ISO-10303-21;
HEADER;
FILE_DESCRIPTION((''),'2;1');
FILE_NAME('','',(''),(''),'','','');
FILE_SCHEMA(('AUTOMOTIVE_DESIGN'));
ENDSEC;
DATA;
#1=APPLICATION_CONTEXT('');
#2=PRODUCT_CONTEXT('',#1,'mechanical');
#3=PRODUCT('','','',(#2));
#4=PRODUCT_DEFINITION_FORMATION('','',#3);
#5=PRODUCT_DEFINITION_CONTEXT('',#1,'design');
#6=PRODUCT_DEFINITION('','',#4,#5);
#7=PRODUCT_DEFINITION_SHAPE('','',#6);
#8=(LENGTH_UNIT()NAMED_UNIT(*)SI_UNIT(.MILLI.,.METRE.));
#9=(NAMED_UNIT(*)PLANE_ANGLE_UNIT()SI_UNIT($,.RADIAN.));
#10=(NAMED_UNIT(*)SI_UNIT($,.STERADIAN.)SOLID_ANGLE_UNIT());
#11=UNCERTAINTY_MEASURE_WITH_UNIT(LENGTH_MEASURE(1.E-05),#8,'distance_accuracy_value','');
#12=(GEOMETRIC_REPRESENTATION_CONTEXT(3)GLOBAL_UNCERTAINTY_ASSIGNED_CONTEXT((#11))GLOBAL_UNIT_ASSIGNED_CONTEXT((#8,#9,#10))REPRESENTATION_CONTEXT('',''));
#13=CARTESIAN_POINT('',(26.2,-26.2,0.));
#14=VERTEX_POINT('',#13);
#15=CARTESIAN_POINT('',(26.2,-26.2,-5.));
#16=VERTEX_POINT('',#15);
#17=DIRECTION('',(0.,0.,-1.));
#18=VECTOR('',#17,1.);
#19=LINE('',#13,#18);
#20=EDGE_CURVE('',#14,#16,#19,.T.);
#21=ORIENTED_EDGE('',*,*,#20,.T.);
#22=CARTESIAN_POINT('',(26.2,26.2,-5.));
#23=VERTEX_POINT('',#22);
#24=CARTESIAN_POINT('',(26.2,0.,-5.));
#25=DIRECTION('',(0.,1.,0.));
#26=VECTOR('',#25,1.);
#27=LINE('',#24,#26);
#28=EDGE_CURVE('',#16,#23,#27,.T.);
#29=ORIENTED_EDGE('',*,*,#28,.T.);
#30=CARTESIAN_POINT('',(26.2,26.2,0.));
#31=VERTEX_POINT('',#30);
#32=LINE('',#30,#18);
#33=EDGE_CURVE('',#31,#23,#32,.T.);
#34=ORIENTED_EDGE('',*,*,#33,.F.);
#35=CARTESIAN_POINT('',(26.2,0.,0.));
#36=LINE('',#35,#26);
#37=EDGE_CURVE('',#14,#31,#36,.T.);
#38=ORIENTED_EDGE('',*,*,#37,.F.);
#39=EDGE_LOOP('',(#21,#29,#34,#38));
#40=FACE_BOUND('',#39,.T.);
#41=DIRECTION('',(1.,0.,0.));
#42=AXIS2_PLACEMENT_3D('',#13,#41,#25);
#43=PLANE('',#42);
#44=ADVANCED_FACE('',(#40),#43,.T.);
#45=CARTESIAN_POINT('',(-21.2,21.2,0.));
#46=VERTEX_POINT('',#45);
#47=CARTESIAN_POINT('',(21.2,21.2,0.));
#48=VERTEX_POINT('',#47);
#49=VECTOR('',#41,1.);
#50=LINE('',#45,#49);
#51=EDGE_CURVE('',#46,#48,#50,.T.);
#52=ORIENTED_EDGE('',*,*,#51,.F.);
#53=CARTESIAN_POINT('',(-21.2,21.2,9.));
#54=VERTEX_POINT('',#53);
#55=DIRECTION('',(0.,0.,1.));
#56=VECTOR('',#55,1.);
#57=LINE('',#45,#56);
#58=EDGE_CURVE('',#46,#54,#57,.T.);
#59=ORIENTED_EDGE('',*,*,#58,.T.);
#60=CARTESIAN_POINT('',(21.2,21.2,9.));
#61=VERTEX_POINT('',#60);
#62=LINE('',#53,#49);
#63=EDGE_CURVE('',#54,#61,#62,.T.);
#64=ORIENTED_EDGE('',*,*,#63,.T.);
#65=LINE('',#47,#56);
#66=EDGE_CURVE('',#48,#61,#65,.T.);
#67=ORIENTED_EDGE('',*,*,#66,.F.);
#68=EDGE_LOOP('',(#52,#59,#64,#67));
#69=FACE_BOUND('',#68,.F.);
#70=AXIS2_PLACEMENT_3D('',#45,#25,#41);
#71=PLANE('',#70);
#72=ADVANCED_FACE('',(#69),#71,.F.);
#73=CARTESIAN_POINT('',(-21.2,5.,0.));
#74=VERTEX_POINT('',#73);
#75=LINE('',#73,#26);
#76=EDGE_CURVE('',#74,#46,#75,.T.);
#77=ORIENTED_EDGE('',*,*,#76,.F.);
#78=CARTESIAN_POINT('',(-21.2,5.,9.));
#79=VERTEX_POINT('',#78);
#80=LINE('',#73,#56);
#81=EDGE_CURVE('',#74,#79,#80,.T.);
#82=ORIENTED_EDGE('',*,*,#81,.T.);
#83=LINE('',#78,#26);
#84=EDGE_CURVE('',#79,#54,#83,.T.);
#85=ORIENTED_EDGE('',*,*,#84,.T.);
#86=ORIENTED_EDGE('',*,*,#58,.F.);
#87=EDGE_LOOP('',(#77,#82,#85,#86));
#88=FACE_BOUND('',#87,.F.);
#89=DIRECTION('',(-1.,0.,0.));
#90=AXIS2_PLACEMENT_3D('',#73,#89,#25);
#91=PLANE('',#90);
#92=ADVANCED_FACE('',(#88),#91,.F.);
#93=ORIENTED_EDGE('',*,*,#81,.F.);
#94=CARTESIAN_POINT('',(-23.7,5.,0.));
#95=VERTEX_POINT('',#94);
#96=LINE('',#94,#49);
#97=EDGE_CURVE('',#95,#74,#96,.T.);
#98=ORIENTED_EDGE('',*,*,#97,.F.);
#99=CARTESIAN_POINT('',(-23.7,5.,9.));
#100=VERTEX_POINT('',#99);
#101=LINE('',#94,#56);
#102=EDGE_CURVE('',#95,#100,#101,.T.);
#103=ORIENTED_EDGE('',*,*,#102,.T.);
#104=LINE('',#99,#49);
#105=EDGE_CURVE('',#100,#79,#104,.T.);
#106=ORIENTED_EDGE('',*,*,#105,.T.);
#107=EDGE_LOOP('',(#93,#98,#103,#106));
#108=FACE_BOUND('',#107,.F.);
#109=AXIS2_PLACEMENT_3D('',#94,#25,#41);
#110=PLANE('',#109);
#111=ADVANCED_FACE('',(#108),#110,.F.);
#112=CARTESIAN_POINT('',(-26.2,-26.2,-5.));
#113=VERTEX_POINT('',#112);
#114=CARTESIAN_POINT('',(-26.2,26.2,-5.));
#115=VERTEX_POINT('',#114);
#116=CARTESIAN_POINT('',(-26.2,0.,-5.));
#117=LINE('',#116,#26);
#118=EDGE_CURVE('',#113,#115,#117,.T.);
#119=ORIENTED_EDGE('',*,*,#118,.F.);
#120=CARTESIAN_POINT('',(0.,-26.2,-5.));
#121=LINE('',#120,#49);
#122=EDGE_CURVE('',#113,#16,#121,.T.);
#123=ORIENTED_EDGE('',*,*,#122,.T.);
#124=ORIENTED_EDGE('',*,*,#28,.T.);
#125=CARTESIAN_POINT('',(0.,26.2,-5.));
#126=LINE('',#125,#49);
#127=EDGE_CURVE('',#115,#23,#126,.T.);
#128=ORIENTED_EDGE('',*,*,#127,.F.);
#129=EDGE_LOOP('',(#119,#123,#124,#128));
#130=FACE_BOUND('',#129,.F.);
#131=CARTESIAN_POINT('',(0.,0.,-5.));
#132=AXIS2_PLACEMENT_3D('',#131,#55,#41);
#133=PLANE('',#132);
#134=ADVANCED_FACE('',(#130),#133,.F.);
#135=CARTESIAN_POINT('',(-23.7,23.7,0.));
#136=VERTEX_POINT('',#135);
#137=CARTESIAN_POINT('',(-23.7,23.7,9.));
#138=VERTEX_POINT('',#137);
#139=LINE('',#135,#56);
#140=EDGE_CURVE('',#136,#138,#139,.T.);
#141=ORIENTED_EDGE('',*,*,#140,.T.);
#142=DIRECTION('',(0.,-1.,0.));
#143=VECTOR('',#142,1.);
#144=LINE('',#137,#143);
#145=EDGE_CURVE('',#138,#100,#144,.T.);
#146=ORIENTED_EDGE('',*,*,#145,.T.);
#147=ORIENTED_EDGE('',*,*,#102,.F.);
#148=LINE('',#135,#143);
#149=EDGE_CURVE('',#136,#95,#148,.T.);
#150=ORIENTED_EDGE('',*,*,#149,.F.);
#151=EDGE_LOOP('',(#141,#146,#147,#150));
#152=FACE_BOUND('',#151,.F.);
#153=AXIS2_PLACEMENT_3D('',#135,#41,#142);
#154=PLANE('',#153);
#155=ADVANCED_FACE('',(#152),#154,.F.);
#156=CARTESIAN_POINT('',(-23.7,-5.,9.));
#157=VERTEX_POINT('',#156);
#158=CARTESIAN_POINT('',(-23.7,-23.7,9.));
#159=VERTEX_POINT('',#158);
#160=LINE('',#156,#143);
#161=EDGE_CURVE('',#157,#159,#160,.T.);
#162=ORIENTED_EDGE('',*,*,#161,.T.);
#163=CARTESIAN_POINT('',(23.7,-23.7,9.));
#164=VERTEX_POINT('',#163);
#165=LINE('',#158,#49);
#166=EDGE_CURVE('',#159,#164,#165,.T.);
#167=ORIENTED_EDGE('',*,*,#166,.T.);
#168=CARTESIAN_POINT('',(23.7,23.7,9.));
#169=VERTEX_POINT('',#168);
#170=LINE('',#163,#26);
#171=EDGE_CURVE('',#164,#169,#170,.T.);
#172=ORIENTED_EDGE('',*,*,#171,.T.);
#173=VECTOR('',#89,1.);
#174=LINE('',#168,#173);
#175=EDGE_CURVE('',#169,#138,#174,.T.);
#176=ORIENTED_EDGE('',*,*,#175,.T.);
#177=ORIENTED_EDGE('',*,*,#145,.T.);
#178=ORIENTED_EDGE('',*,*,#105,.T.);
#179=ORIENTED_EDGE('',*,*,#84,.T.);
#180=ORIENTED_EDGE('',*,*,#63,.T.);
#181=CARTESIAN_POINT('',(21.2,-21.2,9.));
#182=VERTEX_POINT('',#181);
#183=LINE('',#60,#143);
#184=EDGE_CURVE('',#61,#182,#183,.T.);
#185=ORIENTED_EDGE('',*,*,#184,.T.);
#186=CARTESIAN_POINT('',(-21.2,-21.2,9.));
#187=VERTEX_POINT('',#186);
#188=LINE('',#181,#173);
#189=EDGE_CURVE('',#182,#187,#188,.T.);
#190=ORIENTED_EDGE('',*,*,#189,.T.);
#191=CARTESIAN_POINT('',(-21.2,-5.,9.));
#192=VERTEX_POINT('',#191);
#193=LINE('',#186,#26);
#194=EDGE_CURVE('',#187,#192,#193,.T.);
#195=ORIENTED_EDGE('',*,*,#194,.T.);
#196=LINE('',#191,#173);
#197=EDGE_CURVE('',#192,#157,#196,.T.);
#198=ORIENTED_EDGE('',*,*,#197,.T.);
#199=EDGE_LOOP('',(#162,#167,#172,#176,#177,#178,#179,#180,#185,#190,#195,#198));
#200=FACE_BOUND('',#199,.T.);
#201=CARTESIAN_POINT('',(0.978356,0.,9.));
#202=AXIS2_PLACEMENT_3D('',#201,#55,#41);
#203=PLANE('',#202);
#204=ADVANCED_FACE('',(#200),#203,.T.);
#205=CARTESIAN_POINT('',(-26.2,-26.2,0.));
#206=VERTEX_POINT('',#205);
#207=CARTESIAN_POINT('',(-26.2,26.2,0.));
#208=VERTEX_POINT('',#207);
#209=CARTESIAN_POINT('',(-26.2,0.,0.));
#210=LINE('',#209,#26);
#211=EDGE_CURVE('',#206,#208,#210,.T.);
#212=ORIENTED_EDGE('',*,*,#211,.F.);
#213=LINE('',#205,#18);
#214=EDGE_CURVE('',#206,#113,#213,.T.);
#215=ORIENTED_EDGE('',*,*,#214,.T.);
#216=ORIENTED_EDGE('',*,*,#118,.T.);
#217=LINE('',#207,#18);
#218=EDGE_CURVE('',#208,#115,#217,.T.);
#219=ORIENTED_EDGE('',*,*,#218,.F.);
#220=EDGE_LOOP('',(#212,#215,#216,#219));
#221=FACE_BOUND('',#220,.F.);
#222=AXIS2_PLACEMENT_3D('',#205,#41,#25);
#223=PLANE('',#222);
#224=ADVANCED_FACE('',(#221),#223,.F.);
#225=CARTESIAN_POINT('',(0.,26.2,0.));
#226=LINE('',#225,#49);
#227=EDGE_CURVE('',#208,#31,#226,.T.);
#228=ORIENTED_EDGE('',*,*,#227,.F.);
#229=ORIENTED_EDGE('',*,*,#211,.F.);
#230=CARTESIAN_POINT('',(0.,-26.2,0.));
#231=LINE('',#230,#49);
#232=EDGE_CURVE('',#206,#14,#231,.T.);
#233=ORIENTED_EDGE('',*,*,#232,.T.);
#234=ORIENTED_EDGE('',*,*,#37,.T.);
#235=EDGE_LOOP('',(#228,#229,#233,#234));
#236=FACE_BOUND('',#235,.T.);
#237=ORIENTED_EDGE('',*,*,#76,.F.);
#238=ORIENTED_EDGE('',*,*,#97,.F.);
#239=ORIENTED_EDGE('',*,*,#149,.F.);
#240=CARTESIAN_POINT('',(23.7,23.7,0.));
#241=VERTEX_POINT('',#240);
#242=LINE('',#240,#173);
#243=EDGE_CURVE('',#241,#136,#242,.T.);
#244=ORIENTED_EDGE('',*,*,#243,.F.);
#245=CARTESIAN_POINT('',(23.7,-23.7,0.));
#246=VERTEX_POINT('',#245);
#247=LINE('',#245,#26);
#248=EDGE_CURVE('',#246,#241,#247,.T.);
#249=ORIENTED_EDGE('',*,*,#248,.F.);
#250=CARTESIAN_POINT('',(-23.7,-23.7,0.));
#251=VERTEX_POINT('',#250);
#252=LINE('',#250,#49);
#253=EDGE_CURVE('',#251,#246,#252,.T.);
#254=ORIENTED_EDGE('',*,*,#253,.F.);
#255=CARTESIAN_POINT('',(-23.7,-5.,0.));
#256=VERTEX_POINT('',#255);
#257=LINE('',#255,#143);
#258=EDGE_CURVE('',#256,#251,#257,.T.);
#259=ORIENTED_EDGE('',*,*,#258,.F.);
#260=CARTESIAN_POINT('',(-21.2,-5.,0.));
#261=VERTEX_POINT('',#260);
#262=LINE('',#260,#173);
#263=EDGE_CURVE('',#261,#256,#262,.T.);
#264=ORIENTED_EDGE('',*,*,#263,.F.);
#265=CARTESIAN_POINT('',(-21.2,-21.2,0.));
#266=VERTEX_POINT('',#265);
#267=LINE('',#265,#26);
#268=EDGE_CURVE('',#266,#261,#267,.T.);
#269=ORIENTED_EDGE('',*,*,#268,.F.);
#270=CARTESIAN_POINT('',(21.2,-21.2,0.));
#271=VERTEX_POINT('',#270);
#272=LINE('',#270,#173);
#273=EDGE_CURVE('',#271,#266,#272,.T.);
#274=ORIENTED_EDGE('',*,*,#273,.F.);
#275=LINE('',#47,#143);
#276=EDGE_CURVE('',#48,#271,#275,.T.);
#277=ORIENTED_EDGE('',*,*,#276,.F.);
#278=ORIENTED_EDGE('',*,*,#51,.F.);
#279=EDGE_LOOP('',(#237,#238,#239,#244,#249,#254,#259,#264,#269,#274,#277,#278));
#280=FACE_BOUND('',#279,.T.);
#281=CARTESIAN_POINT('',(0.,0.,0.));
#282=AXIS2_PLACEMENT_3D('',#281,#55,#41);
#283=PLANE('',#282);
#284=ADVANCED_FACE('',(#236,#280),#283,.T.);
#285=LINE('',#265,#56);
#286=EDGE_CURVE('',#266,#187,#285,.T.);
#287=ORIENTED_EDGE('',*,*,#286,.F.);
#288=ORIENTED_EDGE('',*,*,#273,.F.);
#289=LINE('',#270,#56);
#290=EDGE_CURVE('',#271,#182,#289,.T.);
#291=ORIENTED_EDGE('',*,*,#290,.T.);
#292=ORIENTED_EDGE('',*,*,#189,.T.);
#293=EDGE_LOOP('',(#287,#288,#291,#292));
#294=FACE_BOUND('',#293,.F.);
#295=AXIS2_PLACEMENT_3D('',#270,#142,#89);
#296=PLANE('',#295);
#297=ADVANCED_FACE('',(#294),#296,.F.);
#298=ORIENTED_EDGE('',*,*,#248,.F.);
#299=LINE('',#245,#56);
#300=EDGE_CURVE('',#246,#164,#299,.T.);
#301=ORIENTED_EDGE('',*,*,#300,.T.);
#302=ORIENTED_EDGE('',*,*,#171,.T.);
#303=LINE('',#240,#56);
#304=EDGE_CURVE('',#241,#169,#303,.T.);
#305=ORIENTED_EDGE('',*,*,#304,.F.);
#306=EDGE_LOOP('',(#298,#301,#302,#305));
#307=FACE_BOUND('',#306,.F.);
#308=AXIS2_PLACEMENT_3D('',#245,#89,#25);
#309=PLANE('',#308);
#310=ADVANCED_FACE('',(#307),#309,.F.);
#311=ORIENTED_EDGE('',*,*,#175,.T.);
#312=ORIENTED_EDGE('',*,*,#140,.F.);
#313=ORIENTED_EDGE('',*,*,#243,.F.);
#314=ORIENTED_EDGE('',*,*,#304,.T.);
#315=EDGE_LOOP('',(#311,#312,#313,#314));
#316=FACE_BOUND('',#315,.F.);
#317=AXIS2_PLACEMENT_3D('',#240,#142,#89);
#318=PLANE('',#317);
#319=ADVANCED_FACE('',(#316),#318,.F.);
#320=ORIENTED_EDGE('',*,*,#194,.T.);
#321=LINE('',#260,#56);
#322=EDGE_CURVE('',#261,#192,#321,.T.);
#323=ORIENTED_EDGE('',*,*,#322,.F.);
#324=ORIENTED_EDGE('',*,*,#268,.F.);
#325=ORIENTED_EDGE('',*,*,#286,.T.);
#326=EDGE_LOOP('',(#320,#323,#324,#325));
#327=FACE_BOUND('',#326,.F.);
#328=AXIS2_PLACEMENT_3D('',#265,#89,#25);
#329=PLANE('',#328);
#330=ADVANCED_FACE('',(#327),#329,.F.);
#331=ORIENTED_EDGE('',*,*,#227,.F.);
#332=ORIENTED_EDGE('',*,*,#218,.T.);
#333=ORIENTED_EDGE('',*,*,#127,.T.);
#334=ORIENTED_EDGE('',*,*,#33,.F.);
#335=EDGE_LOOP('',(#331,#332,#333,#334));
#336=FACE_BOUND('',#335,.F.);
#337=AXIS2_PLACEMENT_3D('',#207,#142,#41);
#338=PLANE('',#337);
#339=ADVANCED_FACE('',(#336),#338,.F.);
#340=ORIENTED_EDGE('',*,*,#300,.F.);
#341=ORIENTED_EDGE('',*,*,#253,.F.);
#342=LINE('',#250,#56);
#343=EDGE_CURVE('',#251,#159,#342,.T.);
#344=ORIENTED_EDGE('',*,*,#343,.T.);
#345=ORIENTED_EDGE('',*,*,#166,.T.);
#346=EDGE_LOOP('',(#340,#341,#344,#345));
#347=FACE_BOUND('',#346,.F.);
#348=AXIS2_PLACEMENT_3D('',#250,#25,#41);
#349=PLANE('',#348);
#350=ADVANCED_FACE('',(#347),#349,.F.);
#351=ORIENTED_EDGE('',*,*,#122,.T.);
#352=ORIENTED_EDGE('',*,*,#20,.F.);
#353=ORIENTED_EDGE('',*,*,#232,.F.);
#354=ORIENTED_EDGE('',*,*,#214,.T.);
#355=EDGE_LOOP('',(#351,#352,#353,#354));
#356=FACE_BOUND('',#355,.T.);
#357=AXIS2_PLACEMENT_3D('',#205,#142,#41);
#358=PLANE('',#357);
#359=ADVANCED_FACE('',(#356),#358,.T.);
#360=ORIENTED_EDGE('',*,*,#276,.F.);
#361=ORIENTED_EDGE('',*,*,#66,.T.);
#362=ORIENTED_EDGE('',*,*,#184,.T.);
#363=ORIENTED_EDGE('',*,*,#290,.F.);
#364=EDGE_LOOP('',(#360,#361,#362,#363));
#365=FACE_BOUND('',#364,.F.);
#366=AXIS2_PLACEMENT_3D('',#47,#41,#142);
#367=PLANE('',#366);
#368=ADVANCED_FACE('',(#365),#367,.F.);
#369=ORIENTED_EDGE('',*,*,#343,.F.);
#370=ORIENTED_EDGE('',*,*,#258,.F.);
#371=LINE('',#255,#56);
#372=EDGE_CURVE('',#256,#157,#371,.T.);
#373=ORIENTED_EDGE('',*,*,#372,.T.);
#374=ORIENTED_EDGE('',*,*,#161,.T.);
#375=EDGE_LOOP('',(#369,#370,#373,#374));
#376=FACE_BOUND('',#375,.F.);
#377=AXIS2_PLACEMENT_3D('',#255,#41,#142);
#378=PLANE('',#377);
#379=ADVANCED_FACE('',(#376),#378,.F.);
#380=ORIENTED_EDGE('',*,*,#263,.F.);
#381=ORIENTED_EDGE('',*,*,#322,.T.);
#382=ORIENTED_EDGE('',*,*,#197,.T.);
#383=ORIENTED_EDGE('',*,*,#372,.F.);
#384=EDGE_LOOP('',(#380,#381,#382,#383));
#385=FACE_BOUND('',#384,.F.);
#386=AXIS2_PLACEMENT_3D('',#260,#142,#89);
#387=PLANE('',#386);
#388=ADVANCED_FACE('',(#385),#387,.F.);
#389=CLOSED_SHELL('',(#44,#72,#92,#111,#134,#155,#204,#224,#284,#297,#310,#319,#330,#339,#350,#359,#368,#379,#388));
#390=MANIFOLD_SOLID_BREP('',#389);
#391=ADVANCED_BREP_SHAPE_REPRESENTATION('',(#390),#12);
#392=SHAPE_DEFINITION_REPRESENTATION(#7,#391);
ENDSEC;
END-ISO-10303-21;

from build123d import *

# Parameters (mm, degrees)
F1_DEPTH = 9
F2_W     = 52.4
F2_H     = 52.4
F3_DEPTH = 5


with BuildPart() as f1:
    # F0 (on Top) → F1 (new body)
    with BuildSketch(Plane.XY):
        Polygon((-21.2, 21.2), (21.2, 21.2), (21.2, -21.2), (-21.2, -21.2), (-21.2, -5), (-23.7, -5), (-23.7, -23.7), (23.7, -23.7), (23.7, 23.7), (-23.7, 23.7), (-23.7, 5), (-21.2, 5), align=None)
    extrude(amount=F1_DEPTH)

    # F2 (on Top) → F3 (join)
    with BuildSketch(Plane.XY):
        Rectangle(F2_W, F2_H)
    extrude(amount=-F3_DEPTH)


solid = f1.part
